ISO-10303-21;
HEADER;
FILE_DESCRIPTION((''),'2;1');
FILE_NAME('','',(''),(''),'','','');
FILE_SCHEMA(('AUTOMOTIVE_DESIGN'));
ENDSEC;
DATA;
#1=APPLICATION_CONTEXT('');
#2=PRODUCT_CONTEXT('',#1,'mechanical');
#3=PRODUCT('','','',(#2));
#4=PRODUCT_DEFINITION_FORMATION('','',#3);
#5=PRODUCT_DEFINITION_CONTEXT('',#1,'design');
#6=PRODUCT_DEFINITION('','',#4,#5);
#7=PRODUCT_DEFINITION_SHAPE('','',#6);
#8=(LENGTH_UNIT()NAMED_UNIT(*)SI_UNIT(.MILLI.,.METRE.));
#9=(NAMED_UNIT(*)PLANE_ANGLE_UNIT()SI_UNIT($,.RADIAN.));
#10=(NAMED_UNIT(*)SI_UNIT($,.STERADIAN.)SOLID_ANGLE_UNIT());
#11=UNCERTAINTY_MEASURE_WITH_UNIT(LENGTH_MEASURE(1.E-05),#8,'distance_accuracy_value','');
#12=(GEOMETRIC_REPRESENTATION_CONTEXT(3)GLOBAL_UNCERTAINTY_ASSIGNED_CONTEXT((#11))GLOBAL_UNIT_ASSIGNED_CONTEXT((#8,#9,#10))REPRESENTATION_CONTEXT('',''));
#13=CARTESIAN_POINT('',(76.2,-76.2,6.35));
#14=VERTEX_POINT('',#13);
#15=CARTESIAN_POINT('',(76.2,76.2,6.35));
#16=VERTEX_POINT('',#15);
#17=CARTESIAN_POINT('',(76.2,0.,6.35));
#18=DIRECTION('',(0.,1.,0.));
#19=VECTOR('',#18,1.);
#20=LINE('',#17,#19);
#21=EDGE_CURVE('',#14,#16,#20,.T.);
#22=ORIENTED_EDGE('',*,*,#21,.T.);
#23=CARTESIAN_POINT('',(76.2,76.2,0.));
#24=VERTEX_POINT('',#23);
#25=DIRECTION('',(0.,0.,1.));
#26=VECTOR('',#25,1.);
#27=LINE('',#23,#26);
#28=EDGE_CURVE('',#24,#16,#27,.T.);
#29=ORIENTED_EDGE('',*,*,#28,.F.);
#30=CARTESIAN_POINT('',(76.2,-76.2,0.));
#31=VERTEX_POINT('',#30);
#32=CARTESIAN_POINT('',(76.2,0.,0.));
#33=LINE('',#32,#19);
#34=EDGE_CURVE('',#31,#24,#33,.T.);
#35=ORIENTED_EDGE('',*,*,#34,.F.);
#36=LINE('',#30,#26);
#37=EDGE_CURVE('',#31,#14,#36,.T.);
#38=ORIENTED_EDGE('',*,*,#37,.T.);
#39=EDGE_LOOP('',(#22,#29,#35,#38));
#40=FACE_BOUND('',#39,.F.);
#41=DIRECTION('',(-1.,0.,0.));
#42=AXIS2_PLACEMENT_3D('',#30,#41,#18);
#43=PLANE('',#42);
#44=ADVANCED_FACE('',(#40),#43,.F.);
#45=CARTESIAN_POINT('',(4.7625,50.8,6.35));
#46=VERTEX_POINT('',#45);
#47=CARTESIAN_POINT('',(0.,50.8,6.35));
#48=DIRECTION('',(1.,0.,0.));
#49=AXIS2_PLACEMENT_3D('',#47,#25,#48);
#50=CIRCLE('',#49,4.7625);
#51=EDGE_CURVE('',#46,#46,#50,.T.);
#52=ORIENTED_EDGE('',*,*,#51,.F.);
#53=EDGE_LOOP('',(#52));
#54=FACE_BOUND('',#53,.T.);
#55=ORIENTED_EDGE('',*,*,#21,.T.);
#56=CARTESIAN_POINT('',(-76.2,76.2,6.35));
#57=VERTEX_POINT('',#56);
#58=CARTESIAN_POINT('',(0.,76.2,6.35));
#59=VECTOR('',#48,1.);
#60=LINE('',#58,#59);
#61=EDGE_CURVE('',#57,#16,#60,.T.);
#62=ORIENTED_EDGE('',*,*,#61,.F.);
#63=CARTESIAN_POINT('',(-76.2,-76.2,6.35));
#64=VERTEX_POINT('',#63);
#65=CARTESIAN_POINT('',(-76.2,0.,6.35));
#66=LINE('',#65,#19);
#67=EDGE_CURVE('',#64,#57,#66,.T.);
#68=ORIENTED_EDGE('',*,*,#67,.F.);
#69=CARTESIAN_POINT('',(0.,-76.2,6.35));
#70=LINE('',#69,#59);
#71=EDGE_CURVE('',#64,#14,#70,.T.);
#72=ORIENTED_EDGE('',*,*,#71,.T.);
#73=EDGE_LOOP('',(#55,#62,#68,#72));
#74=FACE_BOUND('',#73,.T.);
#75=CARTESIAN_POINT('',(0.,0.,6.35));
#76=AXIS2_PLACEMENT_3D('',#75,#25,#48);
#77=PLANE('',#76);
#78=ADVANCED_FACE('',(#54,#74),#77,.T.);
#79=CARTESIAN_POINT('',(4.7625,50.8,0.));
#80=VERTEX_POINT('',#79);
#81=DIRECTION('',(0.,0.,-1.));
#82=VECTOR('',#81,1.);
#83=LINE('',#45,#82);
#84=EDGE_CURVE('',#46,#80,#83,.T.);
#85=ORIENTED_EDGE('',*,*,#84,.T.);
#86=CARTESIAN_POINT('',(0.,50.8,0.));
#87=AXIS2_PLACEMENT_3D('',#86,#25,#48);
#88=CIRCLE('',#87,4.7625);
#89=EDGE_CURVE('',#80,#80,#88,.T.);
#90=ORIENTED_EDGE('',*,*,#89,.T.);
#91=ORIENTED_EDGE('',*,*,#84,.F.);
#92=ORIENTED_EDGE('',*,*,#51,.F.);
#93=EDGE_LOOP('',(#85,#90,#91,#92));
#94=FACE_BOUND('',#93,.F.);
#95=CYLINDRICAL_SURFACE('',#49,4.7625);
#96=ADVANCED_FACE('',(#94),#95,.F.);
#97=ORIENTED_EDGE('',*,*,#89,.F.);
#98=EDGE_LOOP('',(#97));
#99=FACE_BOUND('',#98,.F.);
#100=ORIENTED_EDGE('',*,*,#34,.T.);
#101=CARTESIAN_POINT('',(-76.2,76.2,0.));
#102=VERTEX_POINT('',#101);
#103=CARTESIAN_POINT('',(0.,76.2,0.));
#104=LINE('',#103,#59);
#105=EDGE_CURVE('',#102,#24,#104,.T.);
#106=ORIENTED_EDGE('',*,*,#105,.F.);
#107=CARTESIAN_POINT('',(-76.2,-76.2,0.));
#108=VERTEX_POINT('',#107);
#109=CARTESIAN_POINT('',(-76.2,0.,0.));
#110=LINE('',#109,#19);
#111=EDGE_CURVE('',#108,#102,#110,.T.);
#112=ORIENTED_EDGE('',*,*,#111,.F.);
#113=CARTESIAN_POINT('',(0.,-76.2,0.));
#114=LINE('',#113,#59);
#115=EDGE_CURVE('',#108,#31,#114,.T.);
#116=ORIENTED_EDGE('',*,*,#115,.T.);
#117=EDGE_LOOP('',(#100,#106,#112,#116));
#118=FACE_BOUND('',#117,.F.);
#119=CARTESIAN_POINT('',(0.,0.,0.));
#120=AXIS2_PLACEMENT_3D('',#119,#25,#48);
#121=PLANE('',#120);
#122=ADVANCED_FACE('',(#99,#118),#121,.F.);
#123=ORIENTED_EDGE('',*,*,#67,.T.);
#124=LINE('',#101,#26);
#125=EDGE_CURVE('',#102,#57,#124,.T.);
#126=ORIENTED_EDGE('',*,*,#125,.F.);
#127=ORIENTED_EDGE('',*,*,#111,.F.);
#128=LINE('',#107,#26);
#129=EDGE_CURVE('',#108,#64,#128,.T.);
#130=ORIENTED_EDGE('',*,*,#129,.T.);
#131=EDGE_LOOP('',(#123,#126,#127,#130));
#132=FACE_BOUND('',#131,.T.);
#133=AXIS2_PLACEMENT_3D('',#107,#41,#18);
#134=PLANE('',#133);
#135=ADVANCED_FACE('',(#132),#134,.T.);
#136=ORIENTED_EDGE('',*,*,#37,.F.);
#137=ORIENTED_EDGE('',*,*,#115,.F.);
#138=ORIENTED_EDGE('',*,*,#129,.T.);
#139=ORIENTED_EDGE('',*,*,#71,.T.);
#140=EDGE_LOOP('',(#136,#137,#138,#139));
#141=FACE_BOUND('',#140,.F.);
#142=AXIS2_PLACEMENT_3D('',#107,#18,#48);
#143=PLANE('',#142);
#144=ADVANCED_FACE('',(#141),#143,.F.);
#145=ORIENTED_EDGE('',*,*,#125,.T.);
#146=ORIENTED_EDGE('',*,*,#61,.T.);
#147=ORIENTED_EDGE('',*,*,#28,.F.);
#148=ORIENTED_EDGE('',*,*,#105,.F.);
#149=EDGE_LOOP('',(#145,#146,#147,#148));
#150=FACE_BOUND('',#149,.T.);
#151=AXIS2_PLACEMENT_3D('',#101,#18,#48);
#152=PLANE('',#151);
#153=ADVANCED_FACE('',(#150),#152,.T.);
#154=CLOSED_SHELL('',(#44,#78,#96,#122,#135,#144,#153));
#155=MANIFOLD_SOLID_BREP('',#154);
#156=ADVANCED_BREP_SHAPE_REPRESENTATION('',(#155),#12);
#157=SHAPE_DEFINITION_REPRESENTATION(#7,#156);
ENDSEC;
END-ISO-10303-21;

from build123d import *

# Parameters (mm, degrees)
F0_W     = 152.4
F0_H     = 152.4
F1_DEPTH = 6.35
F2_R     = 4.7625
F3_DEPTH = 6.351


with BuildPart() as f1:
    # F0 (on Top) → F1 (new body)
    with BuildSketch(Plane.XY):
        Rectangle(F0_W, F0_H)
    extrude(amount=F1_DEPTH)

    # F2 (on face) → F3 (cut, through all)
    with BuildSketch(Plane.XY.offset(6.35)):
        with Locations((0, 50.8)):
            Circle(F2_R)
    extrude(amount=-F3_DEPTH, mode=Mode.SUBTRACT)


solid = f1.part
